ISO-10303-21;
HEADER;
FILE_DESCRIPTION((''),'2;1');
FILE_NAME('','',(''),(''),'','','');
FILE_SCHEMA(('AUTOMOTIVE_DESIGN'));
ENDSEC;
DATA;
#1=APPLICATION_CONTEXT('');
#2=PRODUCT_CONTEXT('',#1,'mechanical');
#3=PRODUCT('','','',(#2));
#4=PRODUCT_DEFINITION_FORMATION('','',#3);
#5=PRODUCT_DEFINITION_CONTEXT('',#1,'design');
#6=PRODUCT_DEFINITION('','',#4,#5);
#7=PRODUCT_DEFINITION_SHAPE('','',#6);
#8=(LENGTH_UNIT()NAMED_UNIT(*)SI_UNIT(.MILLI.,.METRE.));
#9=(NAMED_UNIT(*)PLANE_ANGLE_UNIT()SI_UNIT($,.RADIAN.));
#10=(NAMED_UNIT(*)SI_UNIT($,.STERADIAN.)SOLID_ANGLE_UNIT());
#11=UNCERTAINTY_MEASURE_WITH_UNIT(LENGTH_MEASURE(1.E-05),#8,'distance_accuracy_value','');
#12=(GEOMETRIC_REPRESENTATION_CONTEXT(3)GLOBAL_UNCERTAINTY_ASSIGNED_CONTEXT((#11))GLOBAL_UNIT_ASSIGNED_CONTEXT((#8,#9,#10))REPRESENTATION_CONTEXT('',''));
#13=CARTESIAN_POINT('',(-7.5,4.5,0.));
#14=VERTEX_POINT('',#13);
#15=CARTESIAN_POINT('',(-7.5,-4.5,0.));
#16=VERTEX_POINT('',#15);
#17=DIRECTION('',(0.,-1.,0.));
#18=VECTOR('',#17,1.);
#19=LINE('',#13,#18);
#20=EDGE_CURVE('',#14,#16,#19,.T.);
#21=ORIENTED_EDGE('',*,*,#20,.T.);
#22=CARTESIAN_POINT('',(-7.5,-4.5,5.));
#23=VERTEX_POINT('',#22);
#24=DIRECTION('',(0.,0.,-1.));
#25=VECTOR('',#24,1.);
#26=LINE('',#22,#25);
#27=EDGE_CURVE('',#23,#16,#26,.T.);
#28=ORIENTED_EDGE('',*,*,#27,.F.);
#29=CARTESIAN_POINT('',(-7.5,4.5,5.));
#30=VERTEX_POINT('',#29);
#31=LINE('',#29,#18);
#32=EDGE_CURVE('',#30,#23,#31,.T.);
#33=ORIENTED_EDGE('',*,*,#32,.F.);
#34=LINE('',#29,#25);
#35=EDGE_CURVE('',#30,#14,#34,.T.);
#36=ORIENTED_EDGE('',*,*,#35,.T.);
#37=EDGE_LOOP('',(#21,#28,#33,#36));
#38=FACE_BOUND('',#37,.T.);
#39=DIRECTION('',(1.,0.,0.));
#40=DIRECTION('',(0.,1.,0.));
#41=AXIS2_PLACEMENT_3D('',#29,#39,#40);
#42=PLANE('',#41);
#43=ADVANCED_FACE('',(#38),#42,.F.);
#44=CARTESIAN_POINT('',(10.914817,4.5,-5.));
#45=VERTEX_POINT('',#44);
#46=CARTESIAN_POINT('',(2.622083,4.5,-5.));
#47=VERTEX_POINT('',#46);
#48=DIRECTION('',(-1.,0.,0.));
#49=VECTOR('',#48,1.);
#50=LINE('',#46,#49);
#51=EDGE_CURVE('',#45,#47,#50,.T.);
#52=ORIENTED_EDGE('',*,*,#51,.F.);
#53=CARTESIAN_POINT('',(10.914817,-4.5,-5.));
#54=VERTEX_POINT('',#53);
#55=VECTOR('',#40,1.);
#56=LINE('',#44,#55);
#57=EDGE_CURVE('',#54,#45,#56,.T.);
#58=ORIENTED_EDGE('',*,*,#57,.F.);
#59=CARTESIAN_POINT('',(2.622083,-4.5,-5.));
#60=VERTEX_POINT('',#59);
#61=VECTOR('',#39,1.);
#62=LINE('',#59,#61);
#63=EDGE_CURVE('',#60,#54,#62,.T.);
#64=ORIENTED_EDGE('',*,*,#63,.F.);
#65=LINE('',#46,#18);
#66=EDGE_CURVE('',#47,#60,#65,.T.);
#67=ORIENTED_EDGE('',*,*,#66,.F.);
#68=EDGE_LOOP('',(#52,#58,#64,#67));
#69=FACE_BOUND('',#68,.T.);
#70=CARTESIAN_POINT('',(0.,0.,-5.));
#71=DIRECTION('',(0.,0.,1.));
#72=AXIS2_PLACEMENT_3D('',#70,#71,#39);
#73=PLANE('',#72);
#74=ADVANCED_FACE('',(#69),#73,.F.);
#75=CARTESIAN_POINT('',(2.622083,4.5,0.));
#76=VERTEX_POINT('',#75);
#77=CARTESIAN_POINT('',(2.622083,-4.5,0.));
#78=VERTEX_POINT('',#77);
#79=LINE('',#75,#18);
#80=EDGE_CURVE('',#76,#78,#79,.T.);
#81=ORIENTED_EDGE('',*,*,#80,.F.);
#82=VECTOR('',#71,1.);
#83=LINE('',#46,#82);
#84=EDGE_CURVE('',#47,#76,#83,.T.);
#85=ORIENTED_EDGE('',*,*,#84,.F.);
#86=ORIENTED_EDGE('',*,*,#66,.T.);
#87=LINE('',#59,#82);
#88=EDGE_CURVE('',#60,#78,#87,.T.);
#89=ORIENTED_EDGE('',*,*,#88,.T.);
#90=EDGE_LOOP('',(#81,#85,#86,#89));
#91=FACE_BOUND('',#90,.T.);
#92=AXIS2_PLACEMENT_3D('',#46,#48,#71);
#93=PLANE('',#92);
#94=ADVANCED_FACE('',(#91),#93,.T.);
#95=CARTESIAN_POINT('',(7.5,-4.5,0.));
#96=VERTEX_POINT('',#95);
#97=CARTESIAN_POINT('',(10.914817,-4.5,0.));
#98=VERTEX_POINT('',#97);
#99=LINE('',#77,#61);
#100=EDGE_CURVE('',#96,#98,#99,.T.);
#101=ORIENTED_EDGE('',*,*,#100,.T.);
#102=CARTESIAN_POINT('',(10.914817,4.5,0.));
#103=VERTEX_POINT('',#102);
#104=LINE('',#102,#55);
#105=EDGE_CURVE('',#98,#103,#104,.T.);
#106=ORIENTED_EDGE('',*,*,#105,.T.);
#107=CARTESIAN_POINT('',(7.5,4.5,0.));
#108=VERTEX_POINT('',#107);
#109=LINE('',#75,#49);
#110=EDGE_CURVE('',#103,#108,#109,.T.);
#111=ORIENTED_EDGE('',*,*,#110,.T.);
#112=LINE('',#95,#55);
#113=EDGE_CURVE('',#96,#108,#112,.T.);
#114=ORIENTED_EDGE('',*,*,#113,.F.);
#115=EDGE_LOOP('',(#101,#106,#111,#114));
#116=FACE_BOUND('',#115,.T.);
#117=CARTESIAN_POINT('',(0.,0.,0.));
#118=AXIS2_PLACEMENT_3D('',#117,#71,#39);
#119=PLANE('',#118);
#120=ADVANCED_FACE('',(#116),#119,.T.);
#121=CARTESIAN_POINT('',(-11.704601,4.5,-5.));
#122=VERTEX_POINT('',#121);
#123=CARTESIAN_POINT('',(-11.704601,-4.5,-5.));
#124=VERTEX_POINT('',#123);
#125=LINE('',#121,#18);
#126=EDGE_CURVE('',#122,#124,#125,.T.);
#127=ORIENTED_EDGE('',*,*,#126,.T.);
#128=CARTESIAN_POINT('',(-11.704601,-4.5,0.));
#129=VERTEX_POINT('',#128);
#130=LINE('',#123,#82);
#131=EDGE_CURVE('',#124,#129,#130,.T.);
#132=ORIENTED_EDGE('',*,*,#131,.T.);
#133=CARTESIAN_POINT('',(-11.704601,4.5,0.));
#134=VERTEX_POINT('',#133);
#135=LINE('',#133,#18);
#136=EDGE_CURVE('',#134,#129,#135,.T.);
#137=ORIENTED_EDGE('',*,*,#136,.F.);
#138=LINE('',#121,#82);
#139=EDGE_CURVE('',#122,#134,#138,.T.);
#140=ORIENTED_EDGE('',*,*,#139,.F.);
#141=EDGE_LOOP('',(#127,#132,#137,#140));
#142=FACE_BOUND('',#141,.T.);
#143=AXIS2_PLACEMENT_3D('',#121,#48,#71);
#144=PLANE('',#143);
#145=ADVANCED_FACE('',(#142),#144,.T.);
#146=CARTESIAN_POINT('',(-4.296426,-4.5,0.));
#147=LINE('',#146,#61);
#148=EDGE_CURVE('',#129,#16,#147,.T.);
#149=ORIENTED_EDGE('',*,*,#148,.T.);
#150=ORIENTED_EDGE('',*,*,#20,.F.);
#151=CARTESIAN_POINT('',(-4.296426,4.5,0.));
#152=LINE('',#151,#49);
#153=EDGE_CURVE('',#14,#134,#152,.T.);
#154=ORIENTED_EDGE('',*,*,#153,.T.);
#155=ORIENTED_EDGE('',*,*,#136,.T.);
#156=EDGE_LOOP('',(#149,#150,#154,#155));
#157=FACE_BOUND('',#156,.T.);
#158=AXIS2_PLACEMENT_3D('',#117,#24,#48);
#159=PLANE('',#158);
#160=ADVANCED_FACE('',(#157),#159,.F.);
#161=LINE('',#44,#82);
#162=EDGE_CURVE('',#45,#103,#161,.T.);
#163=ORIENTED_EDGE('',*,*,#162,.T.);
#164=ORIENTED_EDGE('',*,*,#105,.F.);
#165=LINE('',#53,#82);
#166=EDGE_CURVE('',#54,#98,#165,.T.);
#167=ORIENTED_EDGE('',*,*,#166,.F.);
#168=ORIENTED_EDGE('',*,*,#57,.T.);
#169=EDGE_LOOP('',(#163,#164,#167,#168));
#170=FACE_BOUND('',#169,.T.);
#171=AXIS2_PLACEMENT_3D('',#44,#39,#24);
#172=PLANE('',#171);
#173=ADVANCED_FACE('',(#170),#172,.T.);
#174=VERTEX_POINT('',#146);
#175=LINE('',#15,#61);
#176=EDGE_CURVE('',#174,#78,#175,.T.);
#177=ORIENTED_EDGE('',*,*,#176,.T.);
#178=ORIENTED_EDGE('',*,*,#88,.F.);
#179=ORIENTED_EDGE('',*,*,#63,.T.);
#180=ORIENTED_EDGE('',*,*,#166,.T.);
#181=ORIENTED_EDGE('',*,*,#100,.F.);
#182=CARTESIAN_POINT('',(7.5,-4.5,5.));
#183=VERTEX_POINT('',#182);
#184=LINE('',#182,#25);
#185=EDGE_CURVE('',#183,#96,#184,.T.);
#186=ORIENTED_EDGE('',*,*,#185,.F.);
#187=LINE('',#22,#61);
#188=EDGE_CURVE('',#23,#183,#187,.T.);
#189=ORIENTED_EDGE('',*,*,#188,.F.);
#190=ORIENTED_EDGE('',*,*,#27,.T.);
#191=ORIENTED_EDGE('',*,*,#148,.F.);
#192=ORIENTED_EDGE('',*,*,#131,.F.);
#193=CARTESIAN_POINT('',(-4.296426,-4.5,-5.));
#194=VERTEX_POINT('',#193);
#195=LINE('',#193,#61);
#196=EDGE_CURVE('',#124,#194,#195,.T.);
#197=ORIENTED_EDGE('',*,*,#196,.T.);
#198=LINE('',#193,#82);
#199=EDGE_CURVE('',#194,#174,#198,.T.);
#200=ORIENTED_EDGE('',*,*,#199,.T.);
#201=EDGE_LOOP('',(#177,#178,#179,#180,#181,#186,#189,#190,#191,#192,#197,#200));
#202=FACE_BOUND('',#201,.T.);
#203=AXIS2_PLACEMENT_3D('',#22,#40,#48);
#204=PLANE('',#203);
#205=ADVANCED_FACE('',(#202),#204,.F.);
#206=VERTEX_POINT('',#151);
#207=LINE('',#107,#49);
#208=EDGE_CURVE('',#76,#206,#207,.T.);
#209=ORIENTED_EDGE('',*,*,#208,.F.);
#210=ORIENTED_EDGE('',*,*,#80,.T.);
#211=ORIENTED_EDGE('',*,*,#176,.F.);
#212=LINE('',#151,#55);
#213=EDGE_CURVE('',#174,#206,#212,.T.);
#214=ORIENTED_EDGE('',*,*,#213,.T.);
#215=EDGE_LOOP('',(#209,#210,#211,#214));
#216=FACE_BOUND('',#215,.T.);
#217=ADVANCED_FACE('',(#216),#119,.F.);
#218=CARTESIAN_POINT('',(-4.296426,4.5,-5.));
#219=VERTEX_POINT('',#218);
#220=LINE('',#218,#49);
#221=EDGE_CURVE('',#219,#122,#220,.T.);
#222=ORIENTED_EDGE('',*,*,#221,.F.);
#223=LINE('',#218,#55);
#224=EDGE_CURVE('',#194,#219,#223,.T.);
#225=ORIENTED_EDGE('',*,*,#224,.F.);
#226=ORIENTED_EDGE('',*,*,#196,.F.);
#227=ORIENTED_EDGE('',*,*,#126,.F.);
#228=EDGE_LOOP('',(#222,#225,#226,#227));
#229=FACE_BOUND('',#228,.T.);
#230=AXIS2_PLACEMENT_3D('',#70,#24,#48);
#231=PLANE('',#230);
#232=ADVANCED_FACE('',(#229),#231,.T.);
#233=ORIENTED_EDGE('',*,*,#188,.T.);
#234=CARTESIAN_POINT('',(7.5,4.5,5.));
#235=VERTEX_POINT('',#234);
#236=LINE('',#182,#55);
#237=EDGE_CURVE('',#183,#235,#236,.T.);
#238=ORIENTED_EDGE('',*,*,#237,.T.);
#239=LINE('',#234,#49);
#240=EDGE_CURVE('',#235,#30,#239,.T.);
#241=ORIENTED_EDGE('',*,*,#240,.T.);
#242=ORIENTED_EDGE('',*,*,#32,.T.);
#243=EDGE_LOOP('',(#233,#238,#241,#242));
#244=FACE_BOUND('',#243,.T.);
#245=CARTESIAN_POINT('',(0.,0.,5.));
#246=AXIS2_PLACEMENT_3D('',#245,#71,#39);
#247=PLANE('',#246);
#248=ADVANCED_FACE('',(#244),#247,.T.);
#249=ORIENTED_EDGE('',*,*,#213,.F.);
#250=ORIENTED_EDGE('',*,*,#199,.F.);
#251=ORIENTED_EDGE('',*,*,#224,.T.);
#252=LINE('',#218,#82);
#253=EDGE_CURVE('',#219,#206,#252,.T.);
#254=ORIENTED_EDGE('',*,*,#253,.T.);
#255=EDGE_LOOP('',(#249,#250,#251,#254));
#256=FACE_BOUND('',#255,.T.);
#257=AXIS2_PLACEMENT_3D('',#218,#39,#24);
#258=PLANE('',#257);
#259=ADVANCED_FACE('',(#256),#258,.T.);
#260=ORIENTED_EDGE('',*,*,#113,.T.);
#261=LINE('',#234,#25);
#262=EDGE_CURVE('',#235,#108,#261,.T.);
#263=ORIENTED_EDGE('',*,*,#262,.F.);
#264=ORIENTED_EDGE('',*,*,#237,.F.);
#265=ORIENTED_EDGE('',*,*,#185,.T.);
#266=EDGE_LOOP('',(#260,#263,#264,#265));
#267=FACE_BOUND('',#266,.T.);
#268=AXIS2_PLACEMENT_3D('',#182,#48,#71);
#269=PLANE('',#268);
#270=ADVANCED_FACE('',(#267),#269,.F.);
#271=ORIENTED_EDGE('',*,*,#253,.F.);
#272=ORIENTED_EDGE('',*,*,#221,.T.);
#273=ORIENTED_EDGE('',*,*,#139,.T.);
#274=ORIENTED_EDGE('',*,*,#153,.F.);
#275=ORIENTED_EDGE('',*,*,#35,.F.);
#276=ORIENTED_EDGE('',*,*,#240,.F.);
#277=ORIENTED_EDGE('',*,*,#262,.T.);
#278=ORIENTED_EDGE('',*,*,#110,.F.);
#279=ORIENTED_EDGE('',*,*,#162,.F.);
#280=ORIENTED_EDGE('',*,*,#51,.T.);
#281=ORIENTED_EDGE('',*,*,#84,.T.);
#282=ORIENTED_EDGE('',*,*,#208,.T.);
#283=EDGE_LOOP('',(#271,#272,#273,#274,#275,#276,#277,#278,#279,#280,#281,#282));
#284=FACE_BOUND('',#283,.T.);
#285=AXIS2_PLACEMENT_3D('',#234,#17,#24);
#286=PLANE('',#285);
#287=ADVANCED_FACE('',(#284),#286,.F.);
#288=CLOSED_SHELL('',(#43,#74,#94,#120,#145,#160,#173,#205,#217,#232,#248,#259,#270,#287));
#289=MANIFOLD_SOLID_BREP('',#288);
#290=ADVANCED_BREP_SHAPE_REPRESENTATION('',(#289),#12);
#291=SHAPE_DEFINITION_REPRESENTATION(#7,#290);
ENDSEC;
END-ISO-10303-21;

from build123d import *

# Parameters (mm, degrees)
SKETCH1_W           = 15
SKETCH1_H           = 9
BOSS_EXTRUDE1_DEPTH = 5
SKETCH2_W           = 7.408175253
SKETCH2_H           = 9
SKETCH2_W_2         = 8.292733492
BOSS_EXTRUDE2_DEPTH = 5


with BuildPart() as part:
    # Sketch1 → Boss-Extrude1 (new body)
    with BuildSketch(Plane.XY):
        Rectangle(SKETCH1_W, SKETCH1_H)
    extrude(amount=BOSS_EXTRUDE1_DEPTH)

    # Sketch2 → Boss-Extrude2 (add)
    with BuildSketch(Plane.XY):
        with Locations((-8.00051336, 0)):
            Rectangle(SKETCH2_W, SKETCH2_H)
        with Locations((6.768450098, 0)):
            Rectangle(SKETCH2_W_2, SKETCH2_H)
    extrude(amount=-BOSS_EXTRUDE2_DEPTH)


solid = part.part
